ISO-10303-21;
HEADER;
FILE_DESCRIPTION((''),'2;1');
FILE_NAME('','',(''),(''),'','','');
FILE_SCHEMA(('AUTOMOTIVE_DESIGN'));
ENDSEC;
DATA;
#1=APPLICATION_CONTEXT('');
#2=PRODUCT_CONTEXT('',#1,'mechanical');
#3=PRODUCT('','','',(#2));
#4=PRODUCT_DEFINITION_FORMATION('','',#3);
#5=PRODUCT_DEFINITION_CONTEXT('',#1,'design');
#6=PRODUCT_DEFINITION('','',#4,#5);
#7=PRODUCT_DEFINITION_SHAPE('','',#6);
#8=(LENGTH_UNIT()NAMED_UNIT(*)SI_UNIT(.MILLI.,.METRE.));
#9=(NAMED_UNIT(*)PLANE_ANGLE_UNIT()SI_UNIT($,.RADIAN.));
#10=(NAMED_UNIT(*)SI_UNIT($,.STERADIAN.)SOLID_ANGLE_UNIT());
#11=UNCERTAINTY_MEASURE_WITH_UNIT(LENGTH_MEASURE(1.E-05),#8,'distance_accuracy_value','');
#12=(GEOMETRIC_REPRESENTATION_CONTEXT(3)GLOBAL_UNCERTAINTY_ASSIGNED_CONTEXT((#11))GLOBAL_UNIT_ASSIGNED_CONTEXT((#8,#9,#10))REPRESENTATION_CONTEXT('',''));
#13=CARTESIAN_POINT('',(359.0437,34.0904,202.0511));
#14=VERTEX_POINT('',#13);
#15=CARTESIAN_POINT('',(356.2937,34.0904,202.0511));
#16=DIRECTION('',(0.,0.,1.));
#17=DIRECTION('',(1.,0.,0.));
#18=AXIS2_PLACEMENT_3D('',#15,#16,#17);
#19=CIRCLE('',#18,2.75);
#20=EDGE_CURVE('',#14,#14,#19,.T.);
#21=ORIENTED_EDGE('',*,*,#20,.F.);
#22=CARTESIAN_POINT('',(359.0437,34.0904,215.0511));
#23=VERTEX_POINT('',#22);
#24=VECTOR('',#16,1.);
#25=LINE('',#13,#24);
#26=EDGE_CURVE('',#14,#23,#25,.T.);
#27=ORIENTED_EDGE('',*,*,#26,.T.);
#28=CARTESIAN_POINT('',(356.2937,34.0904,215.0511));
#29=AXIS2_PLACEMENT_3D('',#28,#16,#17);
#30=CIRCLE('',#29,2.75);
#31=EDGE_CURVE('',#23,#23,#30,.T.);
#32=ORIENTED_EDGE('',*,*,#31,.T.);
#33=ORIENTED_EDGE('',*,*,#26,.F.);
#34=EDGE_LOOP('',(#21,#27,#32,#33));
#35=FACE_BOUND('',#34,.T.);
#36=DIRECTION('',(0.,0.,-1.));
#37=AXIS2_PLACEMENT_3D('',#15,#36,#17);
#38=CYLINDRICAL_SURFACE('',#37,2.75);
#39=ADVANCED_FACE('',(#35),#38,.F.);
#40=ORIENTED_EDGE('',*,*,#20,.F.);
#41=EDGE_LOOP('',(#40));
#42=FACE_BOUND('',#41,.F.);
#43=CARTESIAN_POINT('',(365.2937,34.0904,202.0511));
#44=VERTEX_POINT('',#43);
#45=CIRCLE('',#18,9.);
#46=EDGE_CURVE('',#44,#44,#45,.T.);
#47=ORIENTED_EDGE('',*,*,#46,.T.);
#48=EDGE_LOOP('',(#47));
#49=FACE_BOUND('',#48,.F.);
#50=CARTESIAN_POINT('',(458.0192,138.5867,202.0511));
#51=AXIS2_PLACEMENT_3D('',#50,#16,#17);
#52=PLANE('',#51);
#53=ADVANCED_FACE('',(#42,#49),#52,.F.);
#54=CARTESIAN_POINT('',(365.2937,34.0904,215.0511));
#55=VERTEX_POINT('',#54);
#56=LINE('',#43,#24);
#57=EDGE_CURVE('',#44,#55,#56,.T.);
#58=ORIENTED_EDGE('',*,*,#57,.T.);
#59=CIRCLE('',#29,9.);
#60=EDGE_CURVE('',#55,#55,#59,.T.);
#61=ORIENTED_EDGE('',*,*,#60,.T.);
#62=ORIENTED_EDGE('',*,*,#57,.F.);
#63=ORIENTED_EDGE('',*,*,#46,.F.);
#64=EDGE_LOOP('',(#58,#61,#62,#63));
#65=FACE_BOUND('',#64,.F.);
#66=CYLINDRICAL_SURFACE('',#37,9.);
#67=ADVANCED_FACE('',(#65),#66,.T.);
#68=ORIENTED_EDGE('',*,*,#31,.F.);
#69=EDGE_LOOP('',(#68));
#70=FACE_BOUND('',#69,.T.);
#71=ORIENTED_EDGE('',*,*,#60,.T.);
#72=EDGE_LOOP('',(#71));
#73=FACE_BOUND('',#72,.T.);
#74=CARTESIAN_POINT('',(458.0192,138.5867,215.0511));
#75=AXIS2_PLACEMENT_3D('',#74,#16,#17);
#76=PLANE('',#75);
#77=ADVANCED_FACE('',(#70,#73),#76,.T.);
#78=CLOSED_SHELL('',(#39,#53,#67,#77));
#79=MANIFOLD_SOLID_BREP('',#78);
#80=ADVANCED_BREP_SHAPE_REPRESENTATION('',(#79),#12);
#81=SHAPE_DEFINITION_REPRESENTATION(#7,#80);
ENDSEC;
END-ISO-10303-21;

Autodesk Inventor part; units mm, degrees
ref_plane "YZ Plane" through (0, 0, 0) normal (1, 0, 0) x (0, 1, 0)
ref_plane "XZ Plane" through (0, 0, 0) normal (0, 1, 0) x (-1, 0, 0)
ref_plane "XY Plane" through (0, 0, 0) normal (0, 0, 1) x (1, 0, 0)
ref_plane "Work Plane1" through (458.0192, 138.5867, 202.0511) normal (0, 0, 1) x (1, 0, 0)
sketch "Sketch1" plane through (458.0192, 138.5867, 202.0511) normal (0, 0, 1) x (1, 0, 0)
  circle A0 centre (-101.7255, -104.4963) radius 2.75
  circle A1 centre (-101.7255, -104.4963) radius 9
  point P0 (-458.0192, -138.5867)
  dimension "d0" = 5.5
  dimension "d1" = 18
extrude "Extrusion1" add sketch "Sketch1" along normal blind 13
properties part number "00_Spacer_13mm"
